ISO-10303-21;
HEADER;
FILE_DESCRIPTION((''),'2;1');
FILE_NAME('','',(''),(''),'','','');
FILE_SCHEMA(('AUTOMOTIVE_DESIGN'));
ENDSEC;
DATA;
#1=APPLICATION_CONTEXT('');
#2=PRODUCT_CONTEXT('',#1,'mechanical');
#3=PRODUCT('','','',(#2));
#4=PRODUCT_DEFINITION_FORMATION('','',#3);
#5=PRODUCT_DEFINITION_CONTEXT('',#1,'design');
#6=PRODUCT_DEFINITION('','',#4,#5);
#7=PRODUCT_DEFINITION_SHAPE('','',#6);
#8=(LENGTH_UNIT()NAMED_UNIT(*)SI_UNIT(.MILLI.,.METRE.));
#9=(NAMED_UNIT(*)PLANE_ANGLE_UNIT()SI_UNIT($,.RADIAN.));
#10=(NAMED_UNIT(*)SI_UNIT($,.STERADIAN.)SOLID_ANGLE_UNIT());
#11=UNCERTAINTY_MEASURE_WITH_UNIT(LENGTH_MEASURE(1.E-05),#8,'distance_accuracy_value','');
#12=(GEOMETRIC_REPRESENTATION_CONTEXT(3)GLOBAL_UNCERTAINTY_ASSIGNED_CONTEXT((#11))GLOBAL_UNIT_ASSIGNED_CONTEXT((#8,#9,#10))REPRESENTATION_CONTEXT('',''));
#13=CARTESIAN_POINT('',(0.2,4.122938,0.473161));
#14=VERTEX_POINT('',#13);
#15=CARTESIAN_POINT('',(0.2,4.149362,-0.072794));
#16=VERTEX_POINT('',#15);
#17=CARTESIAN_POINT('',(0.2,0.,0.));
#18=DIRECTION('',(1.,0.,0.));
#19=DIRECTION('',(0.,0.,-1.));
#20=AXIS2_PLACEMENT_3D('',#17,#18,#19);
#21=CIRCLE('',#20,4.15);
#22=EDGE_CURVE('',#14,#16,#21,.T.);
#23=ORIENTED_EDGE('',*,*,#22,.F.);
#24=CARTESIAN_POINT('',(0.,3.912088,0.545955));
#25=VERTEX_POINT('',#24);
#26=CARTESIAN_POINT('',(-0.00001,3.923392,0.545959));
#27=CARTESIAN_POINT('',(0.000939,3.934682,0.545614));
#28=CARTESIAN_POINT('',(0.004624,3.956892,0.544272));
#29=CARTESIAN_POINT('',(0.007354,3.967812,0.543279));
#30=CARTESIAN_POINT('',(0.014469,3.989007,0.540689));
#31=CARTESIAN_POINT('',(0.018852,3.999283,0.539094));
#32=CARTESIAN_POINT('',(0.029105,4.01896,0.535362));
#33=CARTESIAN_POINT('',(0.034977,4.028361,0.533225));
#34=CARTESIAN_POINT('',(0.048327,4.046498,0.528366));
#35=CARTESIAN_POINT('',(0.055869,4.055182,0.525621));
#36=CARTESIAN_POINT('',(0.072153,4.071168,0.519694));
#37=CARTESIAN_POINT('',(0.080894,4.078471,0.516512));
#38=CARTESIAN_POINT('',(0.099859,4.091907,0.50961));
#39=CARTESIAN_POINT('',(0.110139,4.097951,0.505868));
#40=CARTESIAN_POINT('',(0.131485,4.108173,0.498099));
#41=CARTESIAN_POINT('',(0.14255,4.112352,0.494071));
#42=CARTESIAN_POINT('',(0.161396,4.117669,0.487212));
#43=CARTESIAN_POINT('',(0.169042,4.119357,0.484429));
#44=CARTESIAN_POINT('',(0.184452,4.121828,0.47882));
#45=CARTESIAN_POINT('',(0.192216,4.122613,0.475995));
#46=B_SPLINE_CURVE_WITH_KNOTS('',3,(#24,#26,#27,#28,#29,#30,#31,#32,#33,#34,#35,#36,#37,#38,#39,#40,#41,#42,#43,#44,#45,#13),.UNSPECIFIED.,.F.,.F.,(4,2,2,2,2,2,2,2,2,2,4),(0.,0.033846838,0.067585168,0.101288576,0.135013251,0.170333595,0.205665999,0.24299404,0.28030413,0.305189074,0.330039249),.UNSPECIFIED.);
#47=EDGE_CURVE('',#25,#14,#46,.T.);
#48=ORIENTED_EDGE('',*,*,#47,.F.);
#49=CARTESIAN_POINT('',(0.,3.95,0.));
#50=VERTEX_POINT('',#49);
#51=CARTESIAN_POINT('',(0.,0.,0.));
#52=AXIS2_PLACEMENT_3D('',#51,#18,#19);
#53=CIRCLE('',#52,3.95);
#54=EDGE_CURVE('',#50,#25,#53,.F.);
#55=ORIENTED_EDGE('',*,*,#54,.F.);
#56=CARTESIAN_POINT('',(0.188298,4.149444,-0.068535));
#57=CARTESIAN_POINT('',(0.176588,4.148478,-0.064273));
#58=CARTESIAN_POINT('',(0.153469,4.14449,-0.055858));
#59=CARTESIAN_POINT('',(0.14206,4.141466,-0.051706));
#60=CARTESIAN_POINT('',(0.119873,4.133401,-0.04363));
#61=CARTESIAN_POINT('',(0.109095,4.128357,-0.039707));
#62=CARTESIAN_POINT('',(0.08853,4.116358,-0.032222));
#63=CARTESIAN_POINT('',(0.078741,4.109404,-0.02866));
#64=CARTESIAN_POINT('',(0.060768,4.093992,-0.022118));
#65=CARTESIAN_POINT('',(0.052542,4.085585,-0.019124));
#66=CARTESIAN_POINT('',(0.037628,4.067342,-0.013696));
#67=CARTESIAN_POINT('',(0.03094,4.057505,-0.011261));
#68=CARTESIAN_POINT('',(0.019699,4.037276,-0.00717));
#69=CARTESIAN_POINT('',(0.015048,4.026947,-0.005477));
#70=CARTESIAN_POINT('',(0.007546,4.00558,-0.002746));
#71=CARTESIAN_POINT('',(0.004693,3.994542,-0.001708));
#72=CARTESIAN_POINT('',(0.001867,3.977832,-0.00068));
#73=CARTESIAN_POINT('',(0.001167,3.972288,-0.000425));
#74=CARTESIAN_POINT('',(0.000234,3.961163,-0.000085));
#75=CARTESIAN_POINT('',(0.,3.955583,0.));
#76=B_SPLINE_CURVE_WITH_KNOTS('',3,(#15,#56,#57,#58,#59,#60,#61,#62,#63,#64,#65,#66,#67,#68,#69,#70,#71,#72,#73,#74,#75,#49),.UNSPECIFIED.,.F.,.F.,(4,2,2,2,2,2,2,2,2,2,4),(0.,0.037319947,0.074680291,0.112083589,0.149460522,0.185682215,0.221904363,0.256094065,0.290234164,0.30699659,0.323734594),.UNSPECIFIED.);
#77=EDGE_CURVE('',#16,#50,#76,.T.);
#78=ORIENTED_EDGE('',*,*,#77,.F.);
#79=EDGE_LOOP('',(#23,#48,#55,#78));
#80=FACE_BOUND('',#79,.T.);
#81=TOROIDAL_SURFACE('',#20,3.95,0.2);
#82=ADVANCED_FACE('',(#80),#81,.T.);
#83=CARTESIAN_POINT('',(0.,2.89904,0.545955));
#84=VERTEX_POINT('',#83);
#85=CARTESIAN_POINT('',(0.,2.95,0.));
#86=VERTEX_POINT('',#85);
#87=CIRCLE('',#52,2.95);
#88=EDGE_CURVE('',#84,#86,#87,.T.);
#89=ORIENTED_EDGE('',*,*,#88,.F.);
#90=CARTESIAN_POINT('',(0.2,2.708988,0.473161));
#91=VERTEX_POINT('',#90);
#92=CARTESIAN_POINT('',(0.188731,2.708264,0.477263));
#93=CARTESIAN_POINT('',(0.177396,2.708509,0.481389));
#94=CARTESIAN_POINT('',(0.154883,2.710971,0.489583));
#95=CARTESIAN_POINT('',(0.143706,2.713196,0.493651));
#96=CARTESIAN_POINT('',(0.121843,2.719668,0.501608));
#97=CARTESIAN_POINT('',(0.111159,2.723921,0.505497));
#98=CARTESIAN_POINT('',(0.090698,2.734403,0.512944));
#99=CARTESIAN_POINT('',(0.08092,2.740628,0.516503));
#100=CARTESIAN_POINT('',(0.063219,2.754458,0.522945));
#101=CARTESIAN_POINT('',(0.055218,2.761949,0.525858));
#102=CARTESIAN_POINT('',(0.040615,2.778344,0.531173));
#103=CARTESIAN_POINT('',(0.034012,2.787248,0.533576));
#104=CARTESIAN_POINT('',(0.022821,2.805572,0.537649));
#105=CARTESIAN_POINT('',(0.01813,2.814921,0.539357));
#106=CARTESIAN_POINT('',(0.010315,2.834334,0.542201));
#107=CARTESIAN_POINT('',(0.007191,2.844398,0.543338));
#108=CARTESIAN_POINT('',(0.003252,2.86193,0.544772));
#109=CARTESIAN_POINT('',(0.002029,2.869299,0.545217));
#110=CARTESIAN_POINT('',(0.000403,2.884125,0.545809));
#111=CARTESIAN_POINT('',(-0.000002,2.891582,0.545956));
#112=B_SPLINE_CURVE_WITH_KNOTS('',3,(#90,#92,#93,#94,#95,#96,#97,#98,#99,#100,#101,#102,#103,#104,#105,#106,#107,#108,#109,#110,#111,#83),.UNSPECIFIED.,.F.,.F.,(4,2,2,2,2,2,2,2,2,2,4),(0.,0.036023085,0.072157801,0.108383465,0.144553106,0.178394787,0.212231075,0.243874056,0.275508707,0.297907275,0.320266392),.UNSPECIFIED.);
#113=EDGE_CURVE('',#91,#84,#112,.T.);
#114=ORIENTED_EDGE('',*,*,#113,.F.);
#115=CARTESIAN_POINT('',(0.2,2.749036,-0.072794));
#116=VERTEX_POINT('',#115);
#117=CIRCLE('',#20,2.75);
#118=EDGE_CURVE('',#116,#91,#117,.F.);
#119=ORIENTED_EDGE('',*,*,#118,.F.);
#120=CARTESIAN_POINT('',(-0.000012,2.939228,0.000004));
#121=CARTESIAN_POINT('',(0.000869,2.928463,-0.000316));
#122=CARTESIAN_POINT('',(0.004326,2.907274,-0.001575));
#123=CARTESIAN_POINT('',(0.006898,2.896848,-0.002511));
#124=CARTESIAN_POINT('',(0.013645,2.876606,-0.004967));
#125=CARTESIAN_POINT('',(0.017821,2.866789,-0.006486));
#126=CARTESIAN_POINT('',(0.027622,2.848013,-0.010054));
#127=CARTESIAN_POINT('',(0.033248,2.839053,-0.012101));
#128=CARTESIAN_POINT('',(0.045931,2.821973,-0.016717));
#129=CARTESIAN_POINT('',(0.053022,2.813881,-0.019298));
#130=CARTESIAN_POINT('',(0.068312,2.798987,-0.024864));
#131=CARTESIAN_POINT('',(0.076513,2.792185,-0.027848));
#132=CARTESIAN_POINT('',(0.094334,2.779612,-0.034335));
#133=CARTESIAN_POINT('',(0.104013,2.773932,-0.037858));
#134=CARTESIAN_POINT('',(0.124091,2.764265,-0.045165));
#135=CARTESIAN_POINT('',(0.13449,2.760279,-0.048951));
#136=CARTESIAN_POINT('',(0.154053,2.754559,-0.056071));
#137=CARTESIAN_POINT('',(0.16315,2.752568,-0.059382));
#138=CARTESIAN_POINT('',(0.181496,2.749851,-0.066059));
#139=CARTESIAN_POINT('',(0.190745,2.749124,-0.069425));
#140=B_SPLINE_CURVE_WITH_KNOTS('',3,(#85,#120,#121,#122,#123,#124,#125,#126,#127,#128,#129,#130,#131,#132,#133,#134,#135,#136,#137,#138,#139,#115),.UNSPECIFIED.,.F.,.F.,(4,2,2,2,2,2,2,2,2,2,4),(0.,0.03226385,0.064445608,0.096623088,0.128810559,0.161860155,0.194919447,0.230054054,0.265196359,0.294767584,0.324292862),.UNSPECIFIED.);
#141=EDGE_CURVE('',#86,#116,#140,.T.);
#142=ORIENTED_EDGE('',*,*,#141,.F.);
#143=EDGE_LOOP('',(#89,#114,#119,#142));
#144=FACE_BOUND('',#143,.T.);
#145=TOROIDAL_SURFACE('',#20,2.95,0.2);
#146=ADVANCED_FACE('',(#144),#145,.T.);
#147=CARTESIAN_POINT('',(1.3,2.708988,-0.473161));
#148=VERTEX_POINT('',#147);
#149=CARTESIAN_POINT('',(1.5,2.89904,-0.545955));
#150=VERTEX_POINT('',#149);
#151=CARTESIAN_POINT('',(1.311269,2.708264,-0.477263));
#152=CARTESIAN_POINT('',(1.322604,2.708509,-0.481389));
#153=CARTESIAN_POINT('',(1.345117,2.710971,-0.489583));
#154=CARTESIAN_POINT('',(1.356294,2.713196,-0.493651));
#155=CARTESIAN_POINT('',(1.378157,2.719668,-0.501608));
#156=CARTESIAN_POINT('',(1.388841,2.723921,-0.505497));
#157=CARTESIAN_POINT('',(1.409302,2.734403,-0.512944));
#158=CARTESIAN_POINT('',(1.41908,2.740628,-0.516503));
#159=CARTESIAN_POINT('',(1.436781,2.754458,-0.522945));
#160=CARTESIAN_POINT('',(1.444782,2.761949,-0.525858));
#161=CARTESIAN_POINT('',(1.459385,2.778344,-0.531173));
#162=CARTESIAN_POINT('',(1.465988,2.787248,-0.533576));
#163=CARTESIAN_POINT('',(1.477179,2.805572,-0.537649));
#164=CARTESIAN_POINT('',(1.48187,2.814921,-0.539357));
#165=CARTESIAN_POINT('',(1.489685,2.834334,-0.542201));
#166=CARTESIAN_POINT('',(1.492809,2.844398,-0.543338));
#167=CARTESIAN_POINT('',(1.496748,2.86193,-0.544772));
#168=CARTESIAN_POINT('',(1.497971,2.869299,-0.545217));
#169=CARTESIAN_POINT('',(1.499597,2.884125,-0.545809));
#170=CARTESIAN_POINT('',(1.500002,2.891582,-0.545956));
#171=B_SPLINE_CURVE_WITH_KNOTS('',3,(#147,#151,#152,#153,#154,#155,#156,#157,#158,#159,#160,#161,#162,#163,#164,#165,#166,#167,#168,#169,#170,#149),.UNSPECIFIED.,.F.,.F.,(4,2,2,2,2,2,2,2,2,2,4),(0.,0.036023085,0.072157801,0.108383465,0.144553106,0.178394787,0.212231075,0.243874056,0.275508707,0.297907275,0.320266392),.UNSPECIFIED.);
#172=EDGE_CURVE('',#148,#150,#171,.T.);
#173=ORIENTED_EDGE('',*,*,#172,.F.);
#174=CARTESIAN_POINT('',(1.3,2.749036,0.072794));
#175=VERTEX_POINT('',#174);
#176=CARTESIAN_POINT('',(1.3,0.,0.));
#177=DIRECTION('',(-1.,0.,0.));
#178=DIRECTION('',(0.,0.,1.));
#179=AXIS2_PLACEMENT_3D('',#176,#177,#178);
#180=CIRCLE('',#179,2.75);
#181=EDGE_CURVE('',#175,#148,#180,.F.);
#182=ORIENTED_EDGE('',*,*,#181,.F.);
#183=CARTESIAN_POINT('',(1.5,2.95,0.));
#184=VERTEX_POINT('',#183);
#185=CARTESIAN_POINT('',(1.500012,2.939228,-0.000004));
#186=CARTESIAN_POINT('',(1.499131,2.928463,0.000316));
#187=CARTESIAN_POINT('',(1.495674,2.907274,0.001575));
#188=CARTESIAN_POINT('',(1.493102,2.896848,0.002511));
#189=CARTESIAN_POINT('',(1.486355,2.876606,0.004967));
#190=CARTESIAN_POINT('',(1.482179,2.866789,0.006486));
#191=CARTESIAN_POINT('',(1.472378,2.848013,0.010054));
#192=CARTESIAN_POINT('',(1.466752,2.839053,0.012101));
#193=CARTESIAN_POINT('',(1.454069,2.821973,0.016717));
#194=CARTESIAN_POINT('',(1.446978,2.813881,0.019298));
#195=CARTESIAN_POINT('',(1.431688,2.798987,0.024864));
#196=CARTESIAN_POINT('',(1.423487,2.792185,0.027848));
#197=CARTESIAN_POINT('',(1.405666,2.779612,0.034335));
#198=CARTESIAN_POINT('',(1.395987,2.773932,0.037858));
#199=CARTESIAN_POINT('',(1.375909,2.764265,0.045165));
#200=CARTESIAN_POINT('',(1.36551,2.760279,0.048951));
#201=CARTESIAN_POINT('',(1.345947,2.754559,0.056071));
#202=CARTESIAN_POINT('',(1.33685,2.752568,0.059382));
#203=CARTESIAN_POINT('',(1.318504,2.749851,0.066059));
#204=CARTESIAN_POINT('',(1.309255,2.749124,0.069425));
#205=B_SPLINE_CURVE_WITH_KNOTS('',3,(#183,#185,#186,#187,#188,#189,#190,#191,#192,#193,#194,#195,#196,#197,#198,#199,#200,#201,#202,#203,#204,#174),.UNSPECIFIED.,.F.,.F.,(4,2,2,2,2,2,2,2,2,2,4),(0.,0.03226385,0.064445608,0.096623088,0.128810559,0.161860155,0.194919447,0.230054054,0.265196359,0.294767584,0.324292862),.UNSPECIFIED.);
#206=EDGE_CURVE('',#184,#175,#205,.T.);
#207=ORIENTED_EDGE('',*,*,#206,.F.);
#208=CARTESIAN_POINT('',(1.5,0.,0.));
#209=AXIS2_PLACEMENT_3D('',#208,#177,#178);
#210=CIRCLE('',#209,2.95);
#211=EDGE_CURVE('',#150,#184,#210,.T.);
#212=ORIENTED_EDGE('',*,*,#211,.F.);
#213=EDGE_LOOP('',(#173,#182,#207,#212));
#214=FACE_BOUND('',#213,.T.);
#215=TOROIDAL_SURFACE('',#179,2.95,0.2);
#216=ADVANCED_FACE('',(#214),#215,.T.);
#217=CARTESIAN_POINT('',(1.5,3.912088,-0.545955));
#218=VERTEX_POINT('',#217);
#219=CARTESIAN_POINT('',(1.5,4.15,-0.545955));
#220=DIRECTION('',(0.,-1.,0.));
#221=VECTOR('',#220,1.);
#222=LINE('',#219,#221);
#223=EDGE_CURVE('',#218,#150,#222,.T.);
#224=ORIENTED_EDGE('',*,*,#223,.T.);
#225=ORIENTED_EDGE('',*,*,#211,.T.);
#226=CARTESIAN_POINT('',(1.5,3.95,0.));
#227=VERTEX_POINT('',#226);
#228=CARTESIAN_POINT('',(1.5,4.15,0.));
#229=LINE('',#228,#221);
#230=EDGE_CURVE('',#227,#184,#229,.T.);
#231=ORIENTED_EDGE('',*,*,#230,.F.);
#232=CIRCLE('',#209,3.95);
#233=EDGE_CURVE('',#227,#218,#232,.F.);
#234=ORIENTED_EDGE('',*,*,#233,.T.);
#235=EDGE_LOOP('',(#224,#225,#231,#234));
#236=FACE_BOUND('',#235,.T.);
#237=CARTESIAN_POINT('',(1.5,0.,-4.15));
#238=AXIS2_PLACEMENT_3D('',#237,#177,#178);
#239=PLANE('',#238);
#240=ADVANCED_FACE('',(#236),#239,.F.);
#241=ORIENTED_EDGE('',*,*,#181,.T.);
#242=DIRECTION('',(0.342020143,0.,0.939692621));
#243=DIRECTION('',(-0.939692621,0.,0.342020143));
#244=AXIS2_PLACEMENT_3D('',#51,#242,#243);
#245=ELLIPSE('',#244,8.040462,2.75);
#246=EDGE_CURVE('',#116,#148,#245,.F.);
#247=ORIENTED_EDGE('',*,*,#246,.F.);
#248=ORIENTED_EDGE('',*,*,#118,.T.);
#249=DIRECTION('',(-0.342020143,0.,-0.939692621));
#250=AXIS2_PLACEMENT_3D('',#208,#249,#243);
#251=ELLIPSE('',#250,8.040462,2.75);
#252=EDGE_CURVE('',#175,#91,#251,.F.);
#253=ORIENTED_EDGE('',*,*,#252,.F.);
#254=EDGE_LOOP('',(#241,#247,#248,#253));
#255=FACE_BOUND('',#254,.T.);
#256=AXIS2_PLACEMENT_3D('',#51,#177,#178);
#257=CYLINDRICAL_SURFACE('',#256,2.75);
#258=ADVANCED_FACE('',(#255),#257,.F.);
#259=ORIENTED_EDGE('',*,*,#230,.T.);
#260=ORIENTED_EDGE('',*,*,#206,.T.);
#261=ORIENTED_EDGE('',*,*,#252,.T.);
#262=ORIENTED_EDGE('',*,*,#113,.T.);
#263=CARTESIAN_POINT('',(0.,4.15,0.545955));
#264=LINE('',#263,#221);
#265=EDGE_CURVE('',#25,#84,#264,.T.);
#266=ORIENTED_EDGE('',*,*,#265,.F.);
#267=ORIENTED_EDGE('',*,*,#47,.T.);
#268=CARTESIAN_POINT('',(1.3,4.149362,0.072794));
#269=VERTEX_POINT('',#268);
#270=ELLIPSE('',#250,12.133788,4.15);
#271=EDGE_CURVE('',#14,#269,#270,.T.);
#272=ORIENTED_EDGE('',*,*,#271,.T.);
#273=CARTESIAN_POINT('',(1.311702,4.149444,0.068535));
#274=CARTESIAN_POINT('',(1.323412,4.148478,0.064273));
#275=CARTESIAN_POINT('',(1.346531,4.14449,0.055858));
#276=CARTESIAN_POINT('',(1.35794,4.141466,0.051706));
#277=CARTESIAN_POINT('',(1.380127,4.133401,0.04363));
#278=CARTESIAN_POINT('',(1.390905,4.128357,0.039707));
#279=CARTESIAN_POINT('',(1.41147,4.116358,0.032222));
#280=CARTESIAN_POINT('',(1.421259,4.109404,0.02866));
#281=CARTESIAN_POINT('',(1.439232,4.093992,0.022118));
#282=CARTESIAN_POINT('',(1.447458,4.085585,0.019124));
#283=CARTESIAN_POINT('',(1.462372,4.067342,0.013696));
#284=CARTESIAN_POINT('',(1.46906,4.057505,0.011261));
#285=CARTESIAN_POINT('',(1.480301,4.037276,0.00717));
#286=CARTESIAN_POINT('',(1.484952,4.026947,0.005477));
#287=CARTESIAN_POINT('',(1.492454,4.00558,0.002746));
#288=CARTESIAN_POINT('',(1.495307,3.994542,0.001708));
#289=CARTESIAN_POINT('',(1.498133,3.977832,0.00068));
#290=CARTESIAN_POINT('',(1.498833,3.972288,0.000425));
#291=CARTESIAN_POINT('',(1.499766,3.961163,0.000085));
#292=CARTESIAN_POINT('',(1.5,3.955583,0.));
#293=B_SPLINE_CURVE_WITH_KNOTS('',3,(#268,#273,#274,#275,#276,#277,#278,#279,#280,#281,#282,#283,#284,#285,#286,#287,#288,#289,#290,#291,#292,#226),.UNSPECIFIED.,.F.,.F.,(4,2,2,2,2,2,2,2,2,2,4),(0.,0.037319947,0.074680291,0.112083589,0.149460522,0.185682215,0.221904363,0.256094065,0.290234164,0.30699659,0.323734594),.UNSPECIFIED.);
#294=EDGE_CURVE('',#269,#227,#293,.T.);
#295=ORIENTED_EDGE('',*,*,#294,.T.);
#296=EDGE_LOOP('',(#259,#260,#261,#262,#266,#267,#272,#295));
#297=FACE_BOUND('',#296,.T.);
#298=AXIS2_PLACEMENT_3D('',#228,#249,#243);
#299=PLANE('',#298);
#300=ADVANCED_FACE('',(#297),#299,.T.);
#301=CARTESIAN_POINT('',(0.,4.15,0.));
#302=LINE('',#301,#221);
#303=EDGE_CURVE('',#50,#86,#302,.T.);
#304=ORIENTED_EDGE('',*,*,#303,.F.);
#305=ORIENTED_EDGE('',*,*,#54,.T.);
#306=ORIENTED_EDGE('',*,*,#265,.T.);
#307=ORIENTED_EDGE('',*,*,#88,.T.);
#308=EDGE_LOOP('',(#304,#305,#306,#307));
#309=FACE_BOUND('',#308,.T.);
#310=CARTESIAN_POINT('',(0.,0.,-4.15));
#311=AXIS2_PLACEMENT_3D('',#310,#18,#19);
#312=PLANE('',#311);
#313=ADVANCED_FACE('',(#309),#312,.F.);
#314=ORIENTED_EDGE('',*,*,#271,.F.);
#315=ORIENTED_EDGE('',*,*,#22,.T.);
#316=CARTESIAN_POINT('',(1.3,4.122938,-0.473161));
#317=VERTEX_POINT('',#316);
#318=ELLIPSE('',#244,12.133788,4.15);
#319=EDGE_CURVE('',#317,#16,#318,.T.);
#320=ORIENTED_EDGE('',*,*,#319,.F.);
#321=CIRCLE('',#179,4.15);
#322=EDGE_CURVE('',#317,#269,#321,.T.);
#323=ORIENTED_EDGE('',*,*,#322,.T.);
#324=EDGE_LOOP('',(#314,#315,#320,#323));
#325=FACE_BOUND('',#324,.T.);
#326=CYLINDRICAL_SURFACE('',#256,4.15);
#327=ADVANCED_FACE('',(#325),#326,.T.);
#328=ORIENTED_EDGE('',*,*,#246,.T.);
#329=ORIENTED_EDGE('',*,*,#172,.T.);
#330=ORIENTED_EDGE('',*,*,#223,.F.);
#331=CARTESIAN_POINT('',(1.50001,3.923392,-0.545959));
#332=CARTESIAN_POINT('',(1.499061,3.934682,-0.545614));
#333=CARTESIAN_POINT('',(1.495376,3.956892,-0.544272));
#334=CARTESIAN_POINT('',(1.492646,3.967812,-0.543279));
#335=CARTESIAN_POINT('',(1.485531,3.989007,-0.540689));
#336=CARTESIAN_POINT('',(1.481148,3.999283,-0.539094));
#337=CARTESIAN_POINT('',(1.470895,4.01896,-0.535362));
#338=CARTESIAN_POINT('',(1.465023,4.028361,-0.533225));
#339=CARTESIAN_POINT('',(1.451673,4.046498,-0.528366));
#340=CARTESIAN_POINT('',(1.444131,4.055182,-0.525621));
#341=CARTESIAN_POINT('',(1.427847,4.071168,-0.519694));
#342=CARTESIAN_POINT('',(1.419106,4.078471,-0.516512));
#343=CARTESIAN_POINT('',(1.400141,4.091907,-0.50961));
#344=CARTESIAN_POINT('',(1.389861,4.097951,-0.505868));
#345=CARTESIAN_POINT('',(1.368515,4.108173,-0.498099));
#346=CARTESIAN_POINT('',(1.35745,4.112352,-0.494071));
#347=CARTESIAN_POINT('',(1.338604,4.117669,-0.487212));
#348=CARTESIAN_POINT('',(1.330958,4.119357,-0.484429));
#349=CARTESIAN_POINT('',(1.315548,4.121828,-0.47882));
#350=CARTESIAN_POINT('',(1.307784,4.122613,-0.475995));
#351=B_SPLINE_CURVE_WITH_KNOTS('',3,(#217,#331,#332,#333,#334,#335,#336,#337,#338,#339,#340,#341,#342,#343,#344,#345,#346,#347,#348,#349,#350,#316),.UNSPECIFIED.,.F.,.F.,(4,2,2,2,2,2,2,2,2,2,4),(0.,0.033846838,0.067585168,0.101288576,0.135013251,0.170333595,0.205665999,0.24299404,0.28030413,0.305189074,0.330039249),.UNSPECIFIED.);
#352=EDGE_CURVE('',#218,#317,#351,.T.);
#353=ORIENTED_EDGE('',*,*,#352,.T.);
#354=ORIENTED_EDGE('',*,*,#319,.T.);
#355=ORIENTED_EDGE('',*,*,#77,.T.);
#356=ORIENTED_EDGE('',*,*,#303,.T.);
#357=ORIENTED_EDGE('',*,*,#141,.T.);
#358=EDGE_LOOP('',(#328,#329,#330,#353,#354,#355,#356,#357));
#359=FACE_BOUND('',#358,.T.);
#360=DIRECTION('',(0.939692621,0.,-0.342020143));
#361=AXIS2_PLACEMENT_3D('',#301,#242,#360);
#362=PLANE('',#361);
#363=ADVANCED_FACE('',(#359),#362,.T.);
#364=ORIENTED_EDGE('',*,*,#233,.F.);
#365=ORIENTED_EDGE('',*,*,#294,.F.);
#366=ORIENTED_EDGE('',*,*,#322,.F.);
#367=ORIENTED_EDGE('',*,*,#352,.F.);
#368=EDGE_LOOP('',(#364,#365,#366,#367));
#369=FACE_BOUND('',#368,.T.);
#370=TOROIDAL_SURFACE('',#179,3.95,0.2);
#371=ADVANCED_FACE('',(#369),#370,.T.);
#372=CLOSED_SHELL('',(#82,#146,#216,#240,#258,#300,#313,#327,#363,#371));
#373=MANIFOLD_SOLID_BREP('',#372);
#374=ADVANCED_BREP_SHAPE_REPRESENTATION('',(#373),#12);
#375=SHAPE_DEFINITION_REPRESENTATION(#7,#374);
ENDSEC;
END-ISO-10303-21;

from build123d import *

# Parameters (mm, degrees)
ESQUISSE1_W             = 1.5
ESQUISSE1_H             = 1.4
ENL_V_MAT_EXTRU_1_DEPTH = 7.057639804
CONG_1_R                = 0.2


with BuildPart() as part:
    # Esquisse1 → Base-Révolution (revolve)
    with BuildSketch(Plane(origin=(0, 0, 0), x_dir=(1, 0, 0), z_dir=(0, 1, 0))):
        with Locations((0.75, 3.45)):
            Rectangle(ESQUISSE1_W, ESQUISSE1_H)
    revolve(axis=Axis((0, 0, 0), (1, 0, 0)))

    # Esquisse2 → Enlèv. mat.-Extru.1 (cut, through all)
    with BuildSketch(Plane(origin=(0, 0, 0), x_dir=(1, 0, 0), z_dir=(0, 1, 0))):
        Polygon((0, 0), (1.5, 0.545955351), (1.5, 0), (0, -0.545955351), align=None)
    extrude(amount=ENL_V_MAT_EXTRU_1_DEPTH, mode=Mode.SUBTRACT)

    # Congé1
    cong_1_edges = [part.edges().sort_by_distance(p)[0] for p in [
        (1.5, -2.934493142, 2.934493142),
        (0, -3.121555278, 2.734664997),
        (1.5, -1.944543648, 1.944543648),
        (0, -2.128835035, 1.740850767),
    ]]
    fillet(cong_1_edges, radius=CONG_1_R)


solid = part.part
